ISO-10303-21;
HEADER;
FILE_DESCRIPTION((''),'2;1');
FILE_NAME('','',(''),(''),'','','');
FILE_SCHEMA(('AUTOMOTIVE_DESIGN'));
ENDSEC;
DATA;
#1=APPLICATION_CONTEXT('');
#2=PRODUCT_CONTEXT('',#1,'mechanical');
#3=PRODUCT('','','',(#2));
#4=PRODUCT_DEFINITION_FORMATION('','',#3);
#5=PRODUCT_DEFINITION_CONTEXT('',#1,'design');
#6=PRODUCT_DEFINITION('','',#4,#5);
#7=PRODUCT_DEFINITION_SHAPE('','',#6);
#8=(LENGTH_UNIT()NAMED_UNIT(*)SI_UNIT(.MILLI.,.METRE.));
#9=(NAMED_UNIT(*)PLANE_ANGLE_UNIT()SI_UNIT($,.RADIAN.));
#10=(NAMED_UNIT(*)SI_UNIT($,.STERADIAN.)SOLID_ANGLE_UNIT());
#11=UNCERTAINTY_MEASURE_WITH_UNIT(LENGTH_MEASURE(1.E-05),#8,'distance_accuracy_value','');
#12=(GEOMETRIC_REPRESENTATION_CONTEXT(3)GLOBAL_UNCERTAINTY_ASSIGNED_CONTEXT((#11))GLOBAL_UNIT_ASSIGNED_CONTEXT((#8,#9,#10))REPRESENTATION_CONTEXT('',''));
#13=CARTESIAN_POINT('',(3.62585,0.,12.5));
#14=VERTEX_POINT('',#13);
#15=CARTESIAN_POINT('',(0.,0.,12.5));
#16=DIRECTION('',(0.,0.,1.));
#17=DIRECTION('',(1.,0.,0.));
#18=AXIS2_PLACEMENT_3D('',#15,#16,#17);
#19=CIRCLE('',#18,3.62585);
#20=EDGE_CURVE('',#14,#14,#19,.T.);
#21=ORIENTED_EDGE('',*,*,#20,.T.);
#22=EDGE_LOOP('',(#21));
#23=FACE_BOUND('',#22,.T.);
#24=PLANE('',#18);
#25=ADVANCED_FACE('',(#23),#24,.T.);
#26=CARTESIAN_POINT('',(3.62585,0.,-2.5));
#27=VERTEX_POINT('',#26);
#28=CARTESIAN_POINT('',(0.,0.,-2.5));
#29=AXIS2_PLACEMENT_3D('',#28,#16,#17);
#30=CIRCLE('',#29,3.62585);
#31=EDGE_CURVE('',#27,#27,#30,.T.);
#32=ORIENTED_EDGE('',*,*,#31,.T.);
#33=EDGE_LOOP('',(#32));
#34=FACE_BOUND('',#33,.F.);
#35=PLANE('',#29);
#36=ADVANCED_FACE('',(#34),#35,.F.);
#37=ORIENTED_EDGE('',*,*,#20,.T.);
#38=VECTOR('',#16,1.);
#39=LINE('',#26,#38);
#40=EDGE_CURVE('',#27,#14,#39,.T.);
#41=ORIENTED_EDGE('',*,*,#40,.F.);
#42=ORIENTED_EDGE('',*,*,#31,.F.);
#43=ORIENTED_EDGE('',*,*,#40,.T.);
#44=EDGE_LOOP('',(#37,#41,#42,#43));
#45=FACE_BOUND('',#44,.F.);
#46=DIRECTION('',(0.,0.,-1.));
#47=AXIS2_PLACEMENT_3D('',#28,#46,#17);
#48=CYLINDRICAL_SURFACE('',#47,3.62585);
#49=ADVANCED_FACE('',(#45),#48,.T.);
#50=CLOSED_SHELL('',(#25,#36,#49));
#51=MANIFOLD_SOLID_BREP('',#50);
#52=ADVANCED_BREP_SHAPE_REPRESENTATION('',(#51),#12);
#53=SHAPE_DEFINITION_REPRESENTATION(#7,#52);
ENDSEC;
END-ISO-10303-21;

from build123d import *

# Parameters (mm, degrees)
CYLINDER_R     = 3.62585
CYLINDER_DEPTH = 15


with BuildPart() as part:
    # Cylinder → Cylinder (new body)
    with BuildSketch(Plane.XY.offset(-2.5)):
        Circle(CYLINDER_R)
    extrude(amount=CYLINDER_DEPTH)


solid = part.part
